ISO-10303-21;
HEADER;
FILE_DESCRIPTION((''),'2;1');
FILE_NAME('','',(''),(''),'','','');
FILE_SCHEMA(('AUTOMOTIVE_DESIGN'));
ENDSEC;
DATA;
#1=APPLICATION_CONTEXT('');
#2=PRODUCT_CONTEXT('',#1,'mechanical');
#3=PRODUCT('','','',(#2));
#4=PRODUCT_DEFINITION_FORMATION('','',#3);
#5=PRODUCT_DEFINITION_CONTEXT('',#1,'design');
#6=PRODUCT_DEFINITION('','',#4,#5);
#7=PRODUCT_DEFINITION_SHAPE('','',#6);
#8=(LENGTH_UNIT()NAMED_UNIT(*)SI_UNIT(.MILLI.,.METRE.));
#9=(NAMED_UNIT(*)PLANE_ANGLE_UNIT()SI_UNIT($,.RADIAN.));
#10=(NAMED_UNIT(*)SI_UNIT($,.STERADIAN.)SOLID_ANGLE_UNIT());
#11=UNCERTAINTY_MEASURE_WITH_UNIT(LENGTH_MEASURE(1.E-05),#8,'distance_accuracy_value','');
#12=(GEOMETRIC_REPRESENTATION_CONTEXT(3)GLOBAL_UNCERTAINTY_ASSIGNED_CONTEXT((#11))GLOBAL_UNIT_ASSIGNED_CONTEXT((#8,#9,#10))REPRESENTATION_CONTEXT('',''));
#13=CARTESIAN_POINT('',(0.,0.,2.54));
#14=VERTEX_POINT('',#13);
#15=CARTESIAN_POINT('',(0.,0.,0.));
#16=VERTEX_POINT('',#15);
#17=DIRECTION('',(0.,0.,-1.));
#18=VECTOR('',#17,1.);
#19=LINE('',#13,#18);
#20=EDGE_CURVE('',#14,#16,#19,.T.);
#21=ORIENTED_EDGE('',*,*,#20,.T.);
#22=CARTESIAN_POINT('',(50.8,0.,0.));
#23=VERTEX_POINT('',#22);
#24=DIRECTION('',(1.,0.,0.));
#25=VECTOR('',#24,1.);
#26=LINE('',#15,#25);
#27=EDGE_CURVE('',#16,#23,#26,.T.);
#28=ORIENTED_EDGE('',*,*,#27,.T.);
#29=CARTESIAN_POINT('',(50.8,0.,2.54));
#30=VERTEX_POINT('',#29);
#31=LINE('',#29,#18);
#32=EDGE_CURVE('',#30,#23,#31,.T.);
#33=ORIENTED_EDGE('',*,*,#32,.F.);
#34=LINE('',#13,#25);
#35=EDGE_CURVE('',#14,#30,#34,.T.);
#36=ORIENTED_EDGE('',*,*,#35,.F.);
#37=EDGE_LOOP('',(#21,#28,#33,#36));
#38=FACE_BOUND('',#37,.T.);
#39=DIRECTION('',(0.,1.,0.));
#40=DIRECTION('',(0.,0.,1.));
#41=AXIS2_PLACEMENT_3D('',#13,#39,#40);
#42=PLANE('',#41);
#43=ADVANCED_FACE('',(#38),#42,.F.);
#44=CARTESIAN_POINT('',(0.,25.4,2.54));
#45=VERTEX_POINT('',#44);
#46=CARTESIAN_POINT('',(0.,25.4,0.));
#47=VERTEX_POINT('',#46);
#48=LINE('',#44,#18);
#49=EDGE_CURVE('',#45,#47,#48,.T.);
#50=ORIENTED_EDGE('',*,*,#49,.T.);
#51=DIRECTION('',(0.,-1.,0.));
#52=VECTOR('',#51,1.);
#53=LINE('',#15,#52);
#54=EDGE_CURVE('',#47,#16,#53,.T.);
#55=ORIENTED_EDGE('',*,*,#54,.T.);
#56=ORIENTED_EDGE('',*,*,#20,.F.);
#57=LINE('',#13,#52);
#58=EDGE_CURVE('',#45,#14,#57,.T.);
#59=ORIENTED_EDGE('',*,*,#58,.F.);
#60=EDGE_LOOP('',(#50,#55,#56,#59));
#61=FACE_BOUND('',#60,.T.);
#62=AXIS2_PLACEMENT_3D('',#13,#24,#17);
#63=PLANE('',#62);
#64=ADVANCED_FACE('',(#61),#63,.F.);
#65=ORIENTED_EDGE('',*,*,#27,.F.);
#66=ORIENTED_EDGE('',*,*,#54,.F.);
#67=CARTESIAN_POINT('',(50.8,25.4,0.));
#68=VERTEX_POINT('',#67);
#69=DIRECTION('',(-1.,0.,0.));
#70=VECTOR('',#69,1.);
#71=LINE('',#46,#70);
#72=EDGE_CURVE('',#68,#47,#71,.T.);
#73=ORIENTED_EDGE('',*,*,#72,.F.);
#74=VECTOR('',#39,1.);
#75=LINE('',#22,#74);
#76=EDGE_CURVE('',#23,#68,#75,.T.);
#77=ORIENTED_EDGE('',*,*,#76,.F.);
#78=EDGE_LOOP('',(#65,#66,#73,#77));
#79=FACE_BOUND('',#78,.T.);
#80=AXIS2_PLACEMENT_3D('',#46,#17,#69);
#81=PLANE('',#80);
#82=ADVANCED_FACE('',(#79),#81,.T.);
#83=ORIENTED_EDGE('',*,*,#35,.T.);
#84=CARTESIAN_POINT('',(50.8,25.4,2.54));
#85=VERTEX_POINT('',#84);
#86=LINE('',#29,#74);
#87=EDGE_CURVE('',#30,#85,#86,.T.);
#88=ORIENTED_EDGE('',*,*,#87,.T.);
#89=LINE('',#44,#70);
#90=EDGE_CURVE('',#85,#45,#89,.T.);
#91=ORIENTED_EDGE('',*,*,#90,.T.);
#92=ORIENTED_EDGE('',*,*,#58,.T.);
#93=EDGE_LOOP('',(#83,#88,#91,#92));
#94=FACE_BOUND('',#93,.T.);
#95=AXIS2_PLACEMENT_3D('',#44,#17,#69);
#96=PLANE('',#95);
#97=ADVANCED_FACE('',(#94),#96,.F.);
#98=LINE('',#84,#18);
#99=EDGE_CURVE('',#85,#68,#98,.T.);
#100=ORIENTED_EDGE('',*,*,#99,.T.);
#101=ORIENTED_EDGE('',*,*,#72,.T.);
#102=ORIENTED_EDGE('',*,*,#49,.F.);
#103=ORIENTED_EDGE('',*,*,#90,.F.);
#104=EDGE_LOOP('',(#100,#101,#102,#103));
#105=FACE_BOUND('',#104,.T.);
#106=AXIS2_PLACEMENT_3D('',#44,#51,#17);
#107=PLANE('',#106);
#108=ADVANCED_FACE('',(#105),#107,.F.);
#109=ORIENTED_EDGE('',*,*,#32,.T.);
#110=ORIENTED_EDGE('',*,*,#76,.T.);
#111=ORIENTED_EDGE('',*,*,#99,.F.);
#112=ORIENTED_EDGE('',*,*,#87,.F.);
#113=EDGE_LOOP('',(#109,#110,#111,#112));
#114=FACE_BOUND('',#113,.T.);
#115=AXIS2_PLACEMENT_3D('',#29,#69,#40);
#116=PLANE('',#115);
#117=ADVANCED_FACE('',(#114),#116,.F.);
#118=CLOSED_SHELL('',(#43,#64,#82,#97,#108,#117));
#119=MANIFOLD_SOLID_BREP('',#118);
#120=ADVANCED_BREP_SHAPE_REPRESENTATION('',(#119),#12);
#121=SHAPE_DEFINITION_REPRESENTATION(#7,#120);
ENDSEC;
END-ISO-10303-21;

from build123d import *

# Parameters (mm, degrees)
SKETCH1_W      = 50.8
SKETCH1_H      = 25.4
EXTRUDE1_DEPTH = 2.54


with BuildPart() as part:
    # Sketch1 → Extrude1 (new body)
    with BuildSketch(Plane.XY):
        with Locations((25.4, 12.7)):
            Rectangle(SKETCH1_W, SKETCH1_H)
    extrude(amount=EXTRUDE1_DEPTH)


solid = part.part
